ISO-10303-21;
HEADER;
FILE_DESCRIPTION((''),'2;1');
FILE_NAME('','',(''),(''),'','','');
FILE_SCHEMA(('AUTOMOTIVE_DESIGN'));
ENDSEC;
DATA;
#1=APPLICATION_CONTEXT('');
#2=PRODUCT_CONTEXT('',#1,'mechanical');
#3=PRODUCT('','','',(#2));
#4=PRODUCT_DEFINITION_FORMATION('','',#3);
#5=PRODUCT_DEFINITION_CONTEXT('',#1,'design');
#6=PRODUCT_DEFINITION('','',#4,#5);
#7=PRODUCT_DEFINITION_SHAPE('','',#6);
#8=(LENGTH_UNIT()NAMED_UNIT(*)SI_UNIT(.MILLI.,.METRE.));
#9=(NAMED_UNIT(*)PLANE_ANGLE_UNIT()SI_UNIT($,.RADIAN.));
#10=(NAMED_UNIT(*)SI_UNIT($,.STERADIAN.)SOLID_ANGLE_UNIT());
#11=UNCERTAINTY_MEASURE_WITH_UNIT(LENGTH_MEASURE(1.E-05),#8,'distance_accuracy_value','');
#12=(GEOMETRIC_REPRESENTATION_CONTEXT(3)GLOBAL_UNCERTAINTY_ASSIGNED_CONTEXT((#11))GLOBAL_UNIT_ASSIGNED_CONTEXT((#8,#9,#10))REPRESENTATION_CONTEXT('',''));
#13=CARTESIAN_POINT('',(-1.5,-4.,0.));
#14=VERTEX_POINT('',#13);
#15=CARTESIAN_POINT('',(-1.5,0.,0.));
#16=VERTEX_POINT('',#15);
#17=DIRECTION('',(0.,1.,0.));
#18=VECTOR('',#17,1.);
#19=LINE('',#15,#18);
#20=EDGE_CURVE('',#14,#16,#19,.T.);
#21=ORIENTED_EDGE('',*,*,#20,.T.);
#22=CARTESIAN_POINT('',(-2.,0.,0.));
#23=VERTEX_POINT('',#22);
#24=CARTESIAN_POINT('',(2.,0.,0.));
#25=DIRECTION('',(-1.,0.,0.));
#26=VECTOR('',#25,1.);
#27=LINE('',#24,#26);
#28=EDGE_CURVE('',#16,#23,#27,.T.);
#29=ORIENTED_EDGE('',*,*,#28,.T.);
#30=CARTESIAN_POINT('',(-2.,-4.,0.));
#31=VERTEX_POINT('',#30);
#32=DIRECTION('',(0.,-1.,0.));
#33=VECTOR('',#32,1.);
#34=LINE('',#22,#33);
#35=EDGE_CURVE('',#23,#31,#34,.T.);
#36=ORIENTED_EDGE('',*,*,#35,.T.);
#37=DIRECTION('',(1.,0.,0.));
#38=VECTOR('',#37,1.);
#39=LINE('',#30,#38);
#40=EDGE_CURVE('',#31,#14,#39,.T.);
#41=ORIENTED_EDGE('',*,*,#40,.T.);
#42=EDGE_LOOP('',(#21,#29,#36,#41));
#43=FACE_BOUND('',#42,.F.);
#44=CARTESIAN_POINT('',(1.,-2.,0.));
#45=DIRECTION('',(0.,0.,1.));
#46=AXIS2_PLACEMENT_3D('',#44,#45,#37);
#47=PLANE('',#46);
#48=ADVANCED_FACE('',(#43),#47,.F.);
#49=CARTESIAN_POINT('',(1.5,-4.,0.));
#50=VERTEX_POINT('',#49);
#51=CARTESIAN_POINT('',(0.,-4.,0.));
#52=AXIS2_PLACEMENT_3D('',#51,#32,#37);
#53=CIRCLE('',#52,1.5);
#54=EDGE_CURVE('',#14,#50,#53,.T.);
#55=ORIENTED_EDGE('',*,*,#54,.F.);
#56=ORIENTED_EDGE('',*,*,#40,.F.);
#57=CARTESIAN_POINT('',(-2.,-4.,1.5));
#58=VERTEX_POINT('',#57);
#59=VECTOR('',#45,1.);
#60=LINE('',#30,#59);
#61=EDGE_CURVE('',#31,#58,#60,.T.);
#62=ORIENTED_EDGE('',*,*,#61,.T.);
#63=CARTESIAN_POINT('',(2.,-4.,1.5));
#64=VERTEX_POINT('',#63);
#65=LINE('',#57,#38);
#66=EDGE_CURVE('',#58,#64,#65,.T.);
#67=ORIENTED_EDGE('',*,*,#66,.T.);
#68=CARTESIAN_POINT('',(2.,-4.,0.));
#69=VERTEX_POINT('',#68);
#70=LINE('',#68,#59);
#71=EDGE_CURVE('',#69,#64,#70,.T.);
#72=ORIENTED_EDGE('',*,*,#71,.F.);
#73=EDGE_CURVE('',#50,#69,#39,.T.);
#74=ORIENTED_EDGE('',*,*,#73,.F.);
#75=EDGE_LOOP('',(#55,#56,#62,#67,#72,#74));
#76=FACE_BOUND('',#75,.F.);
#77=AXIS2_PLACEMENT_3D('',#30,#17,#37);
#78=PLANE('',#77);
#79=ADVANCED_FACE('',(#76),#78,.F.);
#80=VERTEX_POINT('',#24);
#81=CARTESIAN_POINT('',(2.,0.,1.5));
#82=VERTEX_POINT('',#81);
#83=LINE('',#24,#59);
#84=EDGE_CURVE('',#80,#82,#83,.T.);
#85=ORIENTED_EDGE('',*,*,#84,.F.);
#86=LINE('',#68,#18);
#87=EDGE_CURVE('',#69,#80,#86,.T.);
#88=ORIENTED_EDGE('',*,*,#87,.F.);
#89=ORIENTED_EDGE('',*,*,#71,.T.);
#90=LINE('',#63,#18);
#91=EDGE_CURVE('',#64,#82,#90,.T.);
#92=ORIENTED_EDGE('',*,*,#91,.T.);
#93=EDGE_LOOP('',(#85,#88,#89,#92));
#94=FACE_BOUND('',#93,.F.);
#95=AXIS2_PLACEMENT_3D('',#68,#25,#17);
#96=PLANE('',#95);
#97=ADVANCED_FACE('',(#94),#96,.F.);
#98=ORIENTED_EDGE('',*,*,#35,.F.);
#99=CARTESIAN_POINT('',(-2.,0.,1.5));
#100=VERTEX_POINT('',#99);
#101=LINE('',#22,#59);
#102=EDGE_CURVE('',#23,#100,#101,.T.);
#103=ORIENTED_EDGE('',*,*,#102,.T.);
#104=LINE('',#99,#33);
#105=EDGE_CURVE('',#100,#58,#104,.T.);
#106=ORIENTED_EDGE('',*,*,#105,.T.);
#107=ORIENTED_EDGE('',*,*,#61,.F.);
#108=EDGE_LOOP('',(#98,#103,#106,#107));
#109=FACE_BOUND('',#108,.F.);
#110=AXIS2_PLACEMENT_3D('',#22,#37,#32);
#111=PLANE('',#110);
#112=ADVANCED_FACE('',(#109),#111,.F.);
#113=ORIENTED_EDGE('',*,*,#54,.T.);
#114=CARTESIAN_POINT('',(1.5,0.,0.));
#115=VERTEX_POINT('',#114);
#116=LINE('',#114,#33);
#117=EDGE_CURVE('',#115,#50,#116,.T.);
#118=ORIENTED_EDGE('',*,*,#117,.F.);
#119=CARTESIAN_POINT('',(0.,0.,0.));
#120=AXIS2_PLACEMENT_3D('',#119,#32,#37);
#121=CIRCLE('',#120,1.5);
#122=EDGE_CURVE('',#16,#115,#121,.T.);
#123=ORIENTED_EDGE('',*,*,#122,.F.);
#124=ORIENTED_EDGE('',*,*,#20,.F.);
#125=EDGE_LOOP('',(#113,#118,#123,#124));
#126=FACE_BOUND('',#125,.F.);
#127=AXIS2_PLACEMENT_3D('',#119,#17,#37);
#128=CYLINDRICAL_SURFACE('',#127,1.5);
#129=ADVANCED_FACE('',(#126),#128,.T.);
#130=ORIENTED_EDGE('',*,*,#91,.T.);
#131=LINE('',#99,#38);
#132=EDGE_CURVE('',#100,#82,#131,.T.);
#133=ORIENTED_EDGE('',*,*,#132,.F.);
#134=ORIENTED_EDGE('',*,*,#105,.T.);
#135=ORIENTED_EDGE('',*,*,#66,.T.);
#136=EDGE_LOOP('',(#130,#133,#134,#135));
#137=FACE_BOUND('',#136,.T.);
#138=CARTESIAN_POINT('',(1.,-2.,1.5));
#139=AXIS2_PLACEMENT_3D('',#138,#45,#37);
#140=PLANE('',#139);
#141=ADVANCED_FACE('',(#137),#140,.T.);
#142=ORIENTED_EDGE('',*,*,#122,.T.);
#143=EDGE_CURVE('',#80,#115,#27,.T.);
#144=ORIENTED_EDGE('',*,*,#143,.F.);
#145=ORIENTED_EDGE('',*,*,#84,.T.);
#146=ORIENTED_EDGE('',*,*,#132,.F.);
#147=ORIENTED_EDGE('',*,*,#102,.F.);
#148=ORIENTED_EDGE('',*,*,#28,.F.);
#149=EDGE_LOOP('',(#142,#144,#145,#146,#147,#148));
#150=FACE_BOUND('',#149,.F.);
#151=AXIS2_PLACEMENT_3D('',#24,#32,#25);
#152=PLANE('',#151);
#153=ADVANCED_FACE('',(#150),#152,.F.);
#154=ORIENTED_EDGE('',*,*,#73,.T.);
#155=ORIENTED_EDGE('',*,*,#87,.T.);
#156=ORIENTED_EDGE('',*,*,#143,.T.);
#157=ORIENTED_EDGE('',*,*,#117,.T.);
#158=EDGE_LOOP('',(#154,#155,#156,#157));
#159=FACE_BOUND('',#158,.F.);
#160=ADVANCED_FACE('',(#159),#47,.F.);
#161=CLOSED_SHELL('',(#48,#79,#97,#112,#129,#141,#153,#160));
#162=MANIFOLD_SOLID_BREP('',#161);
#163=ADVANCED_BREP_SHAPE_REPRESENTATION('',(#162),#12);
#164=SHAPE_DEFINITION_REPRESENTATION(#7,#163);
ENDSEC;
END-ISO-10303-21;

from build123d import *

# Parameters (mm, degrees)
F0_R     = 1.5
F1_DEPTH = 4
F3_DEPTH = 1.5


with BuildPart() as f1:
    # F0 (on Front) → F1 (new body)
    with BuildSketch(Plane.XZ):
        Circle(F0_R)
    extrude(amount=F1_DEPTH)

    # F2 (on Top) → F3 (join)
    with BuildSketch(Plane.XY):
        Polygon((2, 0), (0, 0), (0, -3), (0, -4), (2, -4), align=None)
        Polygon((0, -3), (0, 0), (-2, 0), (-2, -4), (0, -4), align=None)
    extrude(amount=F3_DEPTH)


solid = f1.part
